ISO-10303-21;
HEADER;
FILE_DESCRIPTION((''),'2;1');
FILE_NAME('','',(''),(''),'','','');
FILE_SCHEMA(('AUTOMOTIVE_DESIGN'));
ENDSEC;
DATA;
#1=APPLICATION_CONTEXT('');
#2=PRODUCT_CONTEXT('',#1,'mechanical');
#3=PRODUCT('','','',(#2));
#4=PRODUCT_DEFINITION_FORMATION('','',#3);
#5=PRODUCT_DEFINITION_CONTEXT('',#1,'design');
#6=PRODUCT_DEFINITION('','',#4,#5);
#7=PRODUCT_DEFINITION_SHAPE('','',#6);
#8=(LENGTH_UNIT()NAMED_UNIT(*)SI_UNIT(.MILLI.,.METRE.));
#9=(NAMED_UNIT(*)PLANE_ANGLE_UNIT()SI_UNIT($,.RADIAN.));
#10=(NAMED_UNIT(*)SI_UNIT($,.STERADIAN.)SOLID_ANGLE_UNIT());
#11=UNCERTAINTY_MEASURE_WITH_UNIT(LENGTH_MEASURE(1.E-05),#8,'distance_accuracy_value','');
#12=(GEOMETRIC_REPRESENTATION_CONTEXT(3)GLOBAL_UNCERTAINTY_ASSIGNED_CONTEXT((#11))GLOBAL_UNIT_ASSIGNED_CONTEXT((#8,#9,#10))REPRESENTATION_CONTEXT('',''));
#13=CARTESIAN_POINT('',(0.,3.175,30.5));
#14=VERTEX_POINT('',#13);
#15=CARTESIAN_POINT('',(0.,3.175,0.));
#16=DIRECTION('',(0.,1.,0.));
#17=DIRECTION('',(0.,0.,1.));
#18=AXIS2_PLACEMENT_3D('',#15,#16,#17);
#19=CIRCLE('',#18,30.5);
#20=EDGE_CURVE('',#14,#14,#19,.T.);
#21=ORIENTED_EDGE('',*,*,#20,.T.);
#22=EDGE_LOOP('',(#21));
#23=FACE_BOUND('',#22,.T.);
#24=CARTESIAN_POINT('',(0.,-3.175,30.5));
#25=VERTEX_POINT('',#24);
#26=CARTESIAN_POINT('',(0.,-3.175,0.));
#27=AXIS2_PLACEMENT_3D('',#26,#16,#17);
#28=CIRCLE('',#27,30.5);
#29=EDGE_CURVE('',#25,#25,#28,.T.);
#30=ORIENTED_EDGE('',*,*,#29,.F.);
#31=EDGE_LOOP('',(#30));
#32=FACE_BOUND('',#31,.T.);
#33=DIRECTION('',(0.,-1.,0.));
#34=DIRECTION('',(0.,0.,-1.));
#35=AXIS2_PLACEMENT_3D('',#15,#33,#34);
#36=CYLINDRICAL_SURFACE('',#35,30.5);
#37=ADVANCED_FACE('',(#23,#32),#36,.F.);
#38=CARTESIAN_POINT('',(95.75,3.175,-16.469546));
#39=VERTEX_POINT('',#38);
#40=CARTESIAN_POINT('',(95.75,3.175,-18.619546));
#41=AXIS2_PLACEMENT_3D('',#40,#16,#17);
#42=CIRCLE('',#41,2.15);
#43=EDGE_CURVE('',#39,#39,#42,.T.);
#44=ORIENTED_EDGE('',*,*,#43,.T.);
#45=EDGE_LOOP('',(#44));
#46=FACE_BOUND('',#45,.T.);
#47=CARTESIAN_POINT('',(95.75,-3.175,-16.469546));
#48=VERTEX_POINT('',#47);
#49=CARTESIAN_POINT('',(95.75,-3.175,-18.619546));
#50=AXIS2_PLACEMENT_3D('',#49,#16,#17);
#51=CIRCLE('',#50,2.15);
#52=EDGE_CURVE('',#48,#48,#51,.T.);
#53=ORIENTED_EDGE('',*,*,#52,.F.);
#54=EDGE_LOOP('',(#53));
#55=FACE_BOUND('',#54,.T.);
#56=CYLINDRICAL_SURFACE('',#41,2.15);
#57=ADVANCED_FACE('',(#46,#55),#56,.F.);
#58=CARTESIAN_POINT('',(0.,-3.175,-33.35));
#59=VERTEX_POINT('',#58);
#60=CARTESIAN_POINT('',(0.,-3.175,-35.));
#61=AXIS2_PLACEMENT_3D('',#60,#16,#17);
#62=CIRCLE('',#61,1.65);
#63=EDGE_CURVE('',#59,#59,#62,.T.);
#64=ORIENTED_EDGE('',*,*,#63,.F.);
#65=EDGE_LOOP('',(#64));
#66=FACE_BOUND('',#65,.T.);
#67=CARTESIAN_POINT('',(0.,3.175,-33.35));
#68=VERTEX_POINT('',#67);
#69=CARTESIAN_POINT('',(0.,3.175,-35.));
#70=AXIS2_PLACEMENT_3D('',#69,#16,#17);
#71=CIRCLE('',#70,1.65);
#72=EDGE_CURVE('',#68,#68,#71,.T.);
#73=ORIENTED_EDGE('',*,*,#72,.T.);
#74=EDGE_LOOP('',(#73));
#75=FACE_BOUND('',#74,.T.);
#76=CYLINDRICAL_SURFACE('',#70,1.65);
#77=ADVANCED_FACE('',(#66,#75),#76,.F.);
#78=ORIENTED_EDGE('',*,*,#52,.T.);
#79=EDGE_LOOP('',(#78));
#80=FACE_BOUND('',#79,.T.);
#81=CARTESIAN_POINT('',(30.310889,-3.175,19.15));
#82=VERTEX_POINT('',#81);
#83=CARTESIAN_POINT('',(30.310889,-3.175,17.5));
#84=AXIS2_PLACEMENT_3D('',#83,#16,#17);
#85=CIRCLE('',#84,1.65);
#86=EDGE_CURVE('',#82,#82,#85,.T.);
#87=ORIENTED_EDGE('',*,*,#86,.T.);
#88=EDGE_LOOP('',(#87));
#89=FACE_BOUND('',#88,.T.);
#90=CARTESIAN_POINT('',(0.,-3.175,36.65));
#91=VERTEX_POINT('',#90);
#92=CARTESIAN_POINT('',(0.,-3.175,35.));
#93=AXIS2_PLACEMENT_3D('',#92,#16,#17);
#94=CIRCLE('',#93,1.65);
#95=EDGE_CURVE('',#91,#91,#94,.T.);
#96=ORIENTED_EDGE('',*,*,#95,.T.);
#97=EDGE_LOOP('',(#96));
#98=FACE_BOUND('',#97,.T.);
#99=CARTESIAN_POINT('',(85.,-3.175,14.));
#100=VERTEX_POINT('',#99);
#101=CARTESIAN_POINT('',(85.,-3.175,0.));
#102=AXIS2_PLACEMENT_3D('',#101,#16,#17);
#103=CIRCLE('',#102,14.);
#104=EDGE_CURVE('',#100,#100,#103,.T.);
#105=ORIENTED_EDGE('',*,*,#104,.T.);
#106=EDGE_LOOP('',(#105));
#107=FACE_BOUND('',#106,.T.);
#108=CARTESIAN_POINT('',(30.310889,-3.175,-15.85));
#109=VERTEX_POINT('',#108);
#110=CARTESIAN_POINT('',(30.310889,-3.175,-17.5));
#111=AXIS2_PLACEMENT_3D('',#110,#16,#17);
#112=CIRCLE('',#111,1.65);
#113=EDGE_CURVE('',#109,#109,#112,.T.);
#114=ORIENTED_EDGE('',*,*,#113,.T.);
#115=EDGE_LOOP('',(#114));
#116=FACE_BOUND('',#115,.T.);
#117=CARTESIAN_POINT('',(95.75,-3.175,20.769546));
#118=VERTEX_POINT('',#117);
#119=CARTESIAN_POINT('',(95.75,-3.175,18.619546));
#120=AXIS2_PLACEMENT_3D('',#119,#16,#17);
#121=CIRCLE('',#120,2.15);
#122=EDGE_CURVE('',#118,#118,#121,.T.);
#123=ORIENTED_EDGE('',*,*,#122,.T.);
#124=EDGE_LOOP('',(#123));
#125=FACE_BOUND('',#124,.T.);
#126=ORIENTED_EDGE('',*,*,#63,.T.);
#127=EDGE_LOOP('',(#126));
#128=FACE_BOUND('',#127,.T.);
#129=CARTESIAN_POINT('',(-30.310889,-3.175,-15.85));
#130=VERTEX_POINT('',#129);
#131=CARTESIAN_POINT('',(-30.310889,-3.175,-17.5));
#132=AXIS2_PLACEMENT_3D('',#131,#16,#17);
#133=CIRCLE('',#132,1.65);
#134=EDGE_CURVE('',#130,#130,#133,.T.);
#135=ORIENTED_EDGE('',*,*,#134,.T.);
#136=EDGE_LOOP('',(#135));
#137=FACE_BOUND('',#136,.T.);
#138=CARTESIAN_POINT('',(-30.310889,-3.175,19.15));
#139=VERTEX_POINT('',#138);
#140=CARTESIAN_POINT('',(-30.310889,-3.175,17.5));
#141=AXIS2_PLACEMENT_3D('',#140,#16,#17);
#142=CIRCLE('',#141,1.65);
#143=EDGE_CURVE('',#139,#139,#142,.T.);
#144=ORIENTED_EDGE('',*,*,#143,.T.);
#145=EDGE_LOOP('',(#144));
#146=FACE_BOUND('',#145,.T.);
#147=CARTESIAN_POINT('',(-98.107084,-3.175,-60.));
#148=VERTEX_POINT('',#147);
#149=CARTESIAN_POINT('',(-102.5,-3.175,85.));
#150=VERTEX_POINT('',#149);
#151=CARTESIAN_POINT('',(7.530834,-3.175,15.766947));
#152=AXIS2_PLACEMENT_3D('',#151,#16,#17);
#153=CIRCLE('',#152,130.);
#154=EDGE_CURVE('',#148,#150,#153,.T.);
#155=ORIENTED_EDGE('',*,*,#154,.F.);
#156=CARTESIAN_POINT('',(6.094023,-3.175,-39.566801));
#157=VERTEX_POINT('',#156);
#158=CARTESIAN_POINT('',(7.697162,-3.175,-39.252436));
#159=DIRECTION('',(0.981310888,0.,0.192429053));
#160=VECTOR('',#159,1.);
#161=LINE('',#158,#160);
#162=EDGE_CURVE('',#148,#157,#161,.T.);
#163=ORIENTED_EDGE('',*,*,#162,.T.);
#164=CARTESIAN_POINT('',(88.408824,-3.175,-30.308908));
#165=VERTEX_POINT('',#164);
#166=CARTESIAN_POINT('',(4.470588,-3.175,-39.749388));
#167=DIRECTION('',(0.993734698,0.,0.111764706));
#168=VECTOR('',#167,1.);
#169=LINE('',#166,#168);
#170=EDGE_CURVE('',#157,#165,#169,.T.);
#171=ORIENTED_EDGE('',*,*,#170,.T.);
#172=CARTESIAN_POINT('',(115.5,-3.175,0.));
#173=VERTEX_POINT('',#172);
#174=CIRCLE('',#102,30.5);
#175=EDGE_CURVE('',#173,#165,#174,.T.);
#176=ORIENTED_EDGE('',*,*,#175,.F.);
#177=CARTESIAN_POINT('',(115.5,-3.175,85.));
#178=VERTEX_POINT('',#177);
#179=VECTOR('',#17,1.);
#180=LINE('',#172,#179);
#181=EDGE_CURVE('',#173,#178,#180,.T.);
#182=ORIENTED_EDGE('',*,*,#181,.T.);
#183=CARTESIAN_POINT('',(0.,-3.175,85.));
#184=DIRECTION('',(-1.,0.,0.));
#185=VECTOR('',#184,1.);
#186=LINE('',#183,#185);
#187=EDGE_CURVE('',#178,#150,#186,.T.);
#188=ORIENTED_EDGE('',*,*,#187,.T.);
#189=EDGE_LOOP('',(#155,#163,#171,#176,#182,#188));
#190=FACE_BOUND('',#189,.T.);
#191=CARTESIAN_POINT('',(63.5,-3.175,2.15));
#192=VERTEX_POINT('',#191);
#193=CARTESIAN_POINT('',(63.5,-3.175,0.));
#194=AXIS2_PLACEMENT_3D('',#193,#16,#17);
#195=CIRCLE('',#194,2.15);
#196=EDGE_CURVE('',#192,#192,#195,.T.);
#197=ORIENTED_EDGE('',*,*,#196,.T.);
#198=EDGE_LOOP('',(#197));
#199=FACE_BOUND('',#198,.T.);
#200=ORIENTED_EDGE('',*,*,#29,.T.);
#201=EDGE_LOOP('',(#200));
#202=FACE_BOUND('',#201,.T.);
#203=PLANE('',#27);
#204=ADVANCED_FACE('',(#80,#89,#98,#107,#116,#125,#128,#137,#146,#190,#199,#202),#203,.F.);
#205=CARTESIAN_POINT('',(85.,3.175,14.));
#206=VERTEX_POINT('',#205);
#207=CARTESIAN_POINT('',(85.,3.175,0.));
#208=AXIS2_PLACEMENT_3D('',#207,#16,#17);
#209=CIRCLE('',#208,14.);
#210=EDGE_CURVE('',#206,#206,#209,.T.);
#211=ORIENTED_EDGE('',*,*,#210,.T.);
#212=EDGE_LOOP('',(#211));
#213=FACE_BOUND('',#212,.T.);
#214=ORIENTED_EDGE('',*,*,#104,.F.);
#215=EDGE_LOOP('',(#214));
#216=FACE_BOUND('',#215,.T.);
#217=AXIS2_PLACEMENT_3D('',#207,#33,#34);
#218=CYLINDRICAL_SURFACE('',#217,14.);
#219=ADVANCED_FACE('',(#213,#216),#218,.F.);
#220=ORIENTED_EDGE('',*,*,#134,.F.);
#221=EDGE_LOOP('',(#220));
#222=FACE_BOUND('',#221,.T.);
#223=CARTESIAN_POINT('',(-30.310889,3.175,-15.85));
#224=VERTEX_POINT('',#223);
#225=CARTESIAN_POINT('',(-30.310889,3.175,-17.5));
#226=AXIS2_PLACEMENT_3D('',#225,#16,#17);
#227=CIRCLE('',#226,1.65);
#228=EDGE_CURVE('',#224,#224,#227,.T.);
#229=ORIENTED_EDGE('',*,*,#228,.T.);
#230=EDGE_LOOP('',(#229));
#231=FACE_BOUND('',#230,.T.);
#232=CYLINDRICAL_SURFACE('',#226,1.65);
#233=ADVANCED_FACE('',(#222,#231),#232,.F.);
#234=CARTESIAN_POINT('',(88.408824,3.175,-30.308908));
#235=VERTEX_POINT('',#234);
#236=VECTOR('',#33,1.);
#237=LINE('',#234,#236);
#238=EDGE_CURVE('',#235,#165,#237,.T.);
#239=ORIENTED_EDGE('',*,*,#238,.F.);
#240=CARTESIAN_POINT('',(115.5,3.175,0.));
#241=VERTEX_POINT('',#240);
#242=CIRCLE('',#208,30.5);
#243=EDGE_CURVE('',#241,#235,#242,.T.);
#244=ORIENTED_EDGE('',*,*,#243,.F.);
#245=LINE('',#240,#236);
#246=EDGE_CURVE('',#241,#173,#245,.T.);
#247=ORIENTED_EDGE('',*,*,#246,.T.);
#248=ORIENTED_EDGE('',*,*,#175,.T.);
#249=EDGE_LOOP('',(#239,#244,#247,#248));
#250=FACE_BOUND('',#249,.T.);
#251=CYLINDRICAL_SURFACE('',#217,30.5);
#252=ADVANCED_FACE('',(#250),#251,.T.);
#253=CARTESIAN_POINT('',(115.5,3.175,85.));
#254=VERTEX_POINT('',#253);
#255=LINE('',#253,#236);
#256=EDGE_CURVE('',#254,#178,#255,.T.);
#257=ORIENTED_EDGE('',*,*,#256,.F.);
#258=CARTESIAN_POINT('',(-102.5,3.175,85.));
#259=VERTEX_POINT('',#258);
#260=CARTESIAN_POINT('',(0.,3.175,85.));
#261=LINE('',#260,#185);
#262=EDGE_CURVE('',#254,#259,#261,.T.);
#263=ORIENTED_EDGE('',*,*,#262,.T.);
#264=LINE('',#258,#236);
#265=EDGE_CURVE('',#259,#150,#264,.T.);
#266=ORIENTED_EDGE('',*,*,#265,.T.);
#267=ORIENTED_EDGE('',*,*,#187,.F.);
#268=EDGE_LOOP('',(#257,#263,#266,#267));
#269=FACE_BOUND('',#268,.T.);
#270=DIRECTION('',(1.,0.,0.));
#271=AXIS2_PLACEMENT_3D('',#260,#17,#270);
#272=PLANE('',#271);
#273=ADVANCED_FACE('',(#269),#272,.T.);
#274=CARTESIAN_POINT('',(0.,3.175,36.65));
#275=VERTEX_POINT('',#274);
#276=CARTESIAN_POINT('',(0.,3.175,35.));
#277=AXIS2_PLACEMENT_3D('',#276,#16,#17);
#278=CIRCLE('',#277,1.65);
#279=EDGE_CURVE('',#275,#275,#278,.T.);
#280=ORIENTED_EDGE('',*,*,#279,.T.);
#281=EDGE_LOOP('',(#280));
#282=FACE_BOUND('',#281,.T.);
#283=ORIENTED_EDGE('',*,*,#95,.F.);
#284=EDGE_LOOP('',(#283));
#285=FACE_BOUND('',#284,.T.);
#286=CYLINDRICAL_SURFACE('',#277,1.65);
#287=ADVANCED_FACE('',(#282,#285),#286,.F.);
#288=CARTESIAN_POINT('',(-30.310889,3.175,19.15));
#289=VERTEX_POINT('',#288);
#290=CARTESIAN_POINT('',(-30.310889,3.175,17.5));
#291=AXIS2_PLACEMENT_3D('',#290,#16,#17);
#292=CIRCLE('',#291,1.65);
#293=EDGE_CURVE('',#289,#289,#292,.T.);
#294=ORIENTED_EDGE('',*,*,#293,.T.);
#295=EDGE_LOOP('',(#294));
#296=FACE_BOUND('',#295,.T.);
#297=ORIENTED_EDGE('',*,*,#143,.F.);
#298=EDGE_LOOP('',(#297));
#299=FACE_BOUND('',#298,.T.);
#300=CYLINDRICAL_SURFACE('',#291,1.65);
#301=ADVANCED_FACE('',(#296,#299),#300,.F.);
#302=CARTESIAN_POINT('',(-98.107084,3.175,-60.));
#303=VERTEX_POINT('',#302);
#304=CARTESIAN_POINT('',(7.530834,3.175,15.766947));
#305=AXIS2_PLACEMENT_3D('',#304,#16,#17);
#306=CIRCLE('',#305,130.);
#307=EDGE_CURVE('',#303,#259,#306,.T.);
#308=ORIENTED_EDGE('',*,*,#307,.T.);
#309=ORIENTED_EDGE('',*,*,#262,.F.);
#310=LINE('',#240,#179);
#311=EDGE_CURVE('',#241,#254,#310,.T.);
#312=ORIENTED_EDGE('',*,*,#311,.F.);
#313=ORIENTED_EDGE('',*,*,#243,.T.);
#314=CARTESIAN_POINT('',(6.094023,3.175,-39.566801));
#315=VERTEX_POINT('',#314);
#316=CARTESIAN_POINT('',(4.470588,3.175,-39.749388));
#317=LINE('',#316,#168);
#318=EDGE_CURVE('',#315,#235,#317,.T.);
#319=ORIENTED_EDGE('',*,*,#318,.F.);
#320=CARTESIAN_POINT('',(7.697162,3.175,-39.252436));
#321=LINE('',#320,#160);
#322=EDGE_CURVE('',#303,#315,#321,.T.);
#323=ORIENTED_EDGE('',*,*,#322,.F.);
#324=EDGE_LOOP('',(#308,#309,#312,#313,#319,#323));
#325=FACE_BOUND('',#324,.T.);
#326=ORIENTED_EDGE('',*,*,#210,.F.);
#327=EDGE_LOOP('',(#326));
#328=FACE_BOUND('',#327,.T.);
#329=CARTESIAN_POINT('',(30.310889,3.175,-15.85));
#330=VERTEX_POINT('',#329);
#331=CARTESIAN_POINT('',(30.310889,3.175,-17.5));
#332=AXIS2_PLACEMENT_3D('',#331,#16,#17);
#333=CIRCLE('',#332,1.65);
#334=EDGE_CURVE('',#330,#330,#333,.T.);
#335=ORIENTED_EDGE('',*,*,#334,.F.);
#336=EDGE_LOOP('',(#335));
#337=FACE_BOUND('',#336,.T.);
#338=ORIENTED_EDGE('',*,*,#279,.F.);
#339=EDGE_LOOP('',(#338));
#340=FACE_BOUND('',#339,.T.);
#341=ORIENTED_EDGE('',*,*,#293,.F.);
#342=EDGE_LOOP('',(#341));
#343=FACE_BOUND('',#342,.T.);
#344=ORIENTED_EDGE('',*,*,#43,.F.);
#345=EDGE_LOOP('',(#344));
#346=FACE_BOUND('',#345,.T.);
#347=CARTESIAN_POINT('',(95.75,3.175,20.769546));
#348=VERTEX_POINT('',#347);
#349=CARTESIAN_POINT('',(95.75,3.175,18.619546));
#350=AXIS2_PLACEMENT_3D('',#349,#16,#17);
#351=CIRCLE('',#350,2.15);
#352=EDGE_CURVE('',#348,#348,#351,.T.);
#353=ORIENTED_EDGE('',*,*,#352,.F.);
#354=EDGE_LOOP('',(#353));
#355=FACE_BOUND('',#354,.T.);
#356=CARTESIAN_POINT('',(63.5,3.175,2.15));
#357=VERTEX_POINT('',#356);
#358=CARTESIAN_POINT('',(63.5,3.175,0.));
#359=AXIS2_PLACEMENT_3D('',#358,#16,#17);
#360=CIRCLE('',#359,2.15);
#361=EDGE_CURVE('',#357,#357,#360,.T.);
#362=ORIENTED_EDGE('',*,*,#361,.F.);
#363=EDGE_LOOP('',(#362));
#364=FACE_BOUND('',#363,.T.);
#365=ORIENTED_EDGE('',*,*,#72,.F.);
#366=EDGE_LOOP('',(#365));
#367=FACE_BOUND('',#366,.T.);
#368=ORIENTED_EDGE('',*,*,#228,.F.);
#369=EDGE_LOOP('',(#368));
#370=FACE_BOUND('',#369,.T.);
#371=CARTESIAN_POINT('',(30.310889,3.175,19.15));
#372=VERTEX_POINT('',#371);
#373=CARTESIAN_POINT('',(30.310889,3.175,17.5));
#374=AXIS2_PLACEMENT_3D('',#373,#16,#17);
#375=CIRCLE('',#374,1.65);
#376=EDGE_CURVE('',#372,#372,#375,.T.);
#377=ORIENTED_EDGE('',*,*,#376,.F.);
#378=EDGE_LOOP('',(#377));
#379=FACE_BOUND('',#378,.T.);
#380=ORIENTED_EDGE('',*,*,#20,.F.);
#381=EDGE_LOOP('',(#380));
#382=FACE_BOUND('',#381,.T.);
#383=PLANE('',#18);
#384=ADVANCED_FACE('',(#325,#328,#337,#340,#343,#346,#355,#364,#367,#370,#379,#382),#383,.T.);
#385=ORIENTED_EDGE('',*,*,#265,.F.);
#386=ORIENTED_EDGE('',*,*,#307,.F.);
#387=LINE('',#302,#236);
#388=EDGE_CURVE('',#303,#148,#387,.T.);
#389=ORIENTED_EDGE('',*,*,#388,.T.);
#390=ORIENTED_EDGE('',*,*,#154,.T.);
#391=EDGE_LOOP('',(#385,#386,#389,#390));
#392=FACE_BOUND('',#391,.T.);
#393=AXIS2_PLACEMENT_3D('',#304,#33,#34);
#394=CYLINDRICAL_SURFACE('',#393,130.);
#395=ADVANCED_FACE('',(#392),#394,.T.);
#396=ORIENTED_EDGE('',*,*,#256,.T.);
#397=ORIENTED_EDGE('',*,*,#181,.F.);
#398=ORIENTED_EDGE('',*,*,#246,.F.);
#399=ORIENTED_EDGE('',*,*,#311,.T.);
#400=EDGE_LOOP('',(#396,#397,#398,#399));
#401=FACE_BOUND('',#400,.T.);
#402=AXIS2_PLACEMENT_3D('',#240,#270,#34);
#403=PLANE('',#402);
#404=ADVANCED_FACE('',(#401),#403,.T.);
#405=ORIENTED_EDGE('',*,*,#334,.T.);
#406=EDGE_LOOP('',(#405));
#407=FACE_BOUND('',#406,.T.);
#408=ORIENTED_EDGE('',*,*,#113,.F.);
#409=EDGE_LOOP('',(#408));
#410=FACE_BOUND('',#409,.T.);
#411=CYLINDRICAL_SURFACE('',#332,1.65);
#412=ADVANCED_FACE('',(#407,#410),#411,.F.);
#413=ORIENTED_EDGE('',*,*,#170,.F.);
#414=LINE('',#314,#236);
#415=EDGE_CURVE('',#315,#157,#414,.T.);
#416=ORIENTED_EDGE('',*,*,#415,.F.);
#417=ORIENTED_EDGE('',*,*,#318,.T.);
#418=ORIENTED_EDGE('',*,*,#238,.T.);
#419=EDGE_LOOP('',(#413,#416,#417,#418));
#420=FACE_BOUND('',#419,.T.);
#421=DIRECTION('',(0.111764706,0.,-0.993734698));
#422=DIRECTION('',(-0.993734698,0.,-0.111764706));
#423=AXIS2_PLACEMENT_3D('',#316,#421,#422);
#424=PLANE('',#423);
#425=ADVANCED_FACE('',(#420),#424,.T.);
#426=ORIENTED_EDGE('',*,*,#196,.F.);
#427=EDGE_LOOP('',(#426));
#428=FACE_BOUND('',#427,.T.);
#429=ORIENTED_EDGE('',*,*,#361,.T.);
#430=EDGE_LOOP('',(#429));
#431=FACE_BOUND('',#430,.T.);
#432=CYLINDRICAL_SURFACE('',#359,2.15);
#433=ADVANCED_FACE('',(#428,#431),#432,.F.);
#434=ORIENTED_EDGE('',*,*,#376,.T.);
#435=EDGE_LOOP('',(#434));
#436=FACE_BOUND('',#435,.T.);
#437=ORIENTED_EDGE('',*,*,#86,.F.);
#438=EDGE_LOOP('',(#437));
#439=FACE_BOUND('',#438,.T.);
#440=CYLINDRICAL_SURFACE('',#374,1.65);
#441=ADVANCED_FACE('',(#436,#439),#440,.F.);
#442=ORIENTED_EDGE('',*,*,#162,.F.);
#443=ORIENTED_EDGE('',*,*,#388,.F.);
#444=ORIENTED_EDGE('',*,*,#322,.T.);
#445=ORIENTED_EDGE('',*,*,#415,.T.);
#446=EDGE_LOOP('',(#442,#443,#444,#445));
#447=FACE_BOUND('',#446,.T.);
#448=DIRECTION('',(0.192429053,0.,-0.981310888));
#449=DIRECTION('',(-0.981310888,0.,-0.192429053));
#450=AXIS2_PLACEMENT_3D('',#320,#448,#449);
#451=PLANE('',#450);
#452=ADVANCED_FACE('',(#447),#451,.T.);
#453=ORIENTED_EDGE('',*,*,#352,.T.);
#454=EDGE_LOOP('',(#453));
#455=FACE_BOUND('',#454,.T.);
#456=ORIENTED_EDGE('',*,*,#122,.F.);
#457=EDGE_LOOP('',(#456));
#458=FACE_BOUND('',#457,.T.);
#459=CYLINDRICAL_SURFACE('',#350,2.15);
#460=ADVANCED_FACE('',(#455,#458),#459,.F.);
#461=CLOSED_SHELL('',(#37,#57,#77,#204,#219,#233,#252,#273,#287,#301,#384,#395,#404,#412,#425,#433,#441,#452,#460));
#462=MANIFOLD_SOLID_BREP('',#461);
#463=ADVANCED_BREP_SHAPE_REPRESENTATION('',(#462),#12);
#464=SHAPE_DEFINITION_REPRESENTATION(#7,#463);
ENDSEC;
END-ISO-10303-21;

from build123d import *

# Parameters (mm, degrees)
SKETCH1_R             = 30.5
SKETCH1_R_2           = 14
BOSS_EXTRUDE1_DEPTH   = 3.175
M4X0_7_TAPPED_HOLE1_D = 3.3
M4_CLEARANCE_HOLE1_D  = 4.3


with BuildPart() as part:
    # Sketch1 → Boss-Extrude1 (new, symmetric)
    with BuildSketch(Plane(origin=(0, 0, 0), x_dir=(1, 0, 0), z_dir=(0, 1, 0))):
        with BuildLine():
            Line((6.094023378, 39.566801218), (-98.107084352, 60))
            ThreePointArc((-98.107084352, 60), (-122.409547316, -11.830277132), (-102.5, -85))
            Line((-102.5, -85), (115.5, -85))
            Line((115.5, -85), (115.5, 0))
            ThreePointArc((115.5, 0), (107.74004307, 20.325856468), (88.408823529, 30.308908297))
            Line((88.408823529, 30.308908297), (6.094023378, 39.566801218))
        make_face()
        with Locations(Location((0, 0, 0), (0, 0, 270))):
            Circle(SKETCH1_R, mode=Mode.SUBTRACT)
        with Locations(Location((85, 0, 0), (0, 0, 270))):
            Circle(SKETCH1_R_2, mode=Mode.SUBTRACT)
    extrude(amount=BOSS_EXTRUDE1_DEPTH, both=True)

    # M4x0.7 Tapped Hole1 (through all)
    with Locations(Plane(origin=(0, 3.175, 0), x_dir=(1, 0, 0), z_dir=(0, 1, 0))):
        with Locations((-30.310889132, 17.5), (0, 35), (30.310889132, 17.5), (30.310889132, -17.5), (0, -35), (-30.310889132, -17.5)):
            Hole(M4X0_7_TAPPED_HOLE1_D / 2)

    # M4 Clearance Hole1 (through all)
    with Locations(Plane(origin=(0, 3.175, 0), x_dir=(1, 0, 0), z_dir=(0, 1, 0))):
        with Locations((63.5, 0), (95.75, 18.619546181), (95.75, -18.619546181)):
            Hole(M4_CLEARANCE_HOLE1_D / 2)


solid = part.part
